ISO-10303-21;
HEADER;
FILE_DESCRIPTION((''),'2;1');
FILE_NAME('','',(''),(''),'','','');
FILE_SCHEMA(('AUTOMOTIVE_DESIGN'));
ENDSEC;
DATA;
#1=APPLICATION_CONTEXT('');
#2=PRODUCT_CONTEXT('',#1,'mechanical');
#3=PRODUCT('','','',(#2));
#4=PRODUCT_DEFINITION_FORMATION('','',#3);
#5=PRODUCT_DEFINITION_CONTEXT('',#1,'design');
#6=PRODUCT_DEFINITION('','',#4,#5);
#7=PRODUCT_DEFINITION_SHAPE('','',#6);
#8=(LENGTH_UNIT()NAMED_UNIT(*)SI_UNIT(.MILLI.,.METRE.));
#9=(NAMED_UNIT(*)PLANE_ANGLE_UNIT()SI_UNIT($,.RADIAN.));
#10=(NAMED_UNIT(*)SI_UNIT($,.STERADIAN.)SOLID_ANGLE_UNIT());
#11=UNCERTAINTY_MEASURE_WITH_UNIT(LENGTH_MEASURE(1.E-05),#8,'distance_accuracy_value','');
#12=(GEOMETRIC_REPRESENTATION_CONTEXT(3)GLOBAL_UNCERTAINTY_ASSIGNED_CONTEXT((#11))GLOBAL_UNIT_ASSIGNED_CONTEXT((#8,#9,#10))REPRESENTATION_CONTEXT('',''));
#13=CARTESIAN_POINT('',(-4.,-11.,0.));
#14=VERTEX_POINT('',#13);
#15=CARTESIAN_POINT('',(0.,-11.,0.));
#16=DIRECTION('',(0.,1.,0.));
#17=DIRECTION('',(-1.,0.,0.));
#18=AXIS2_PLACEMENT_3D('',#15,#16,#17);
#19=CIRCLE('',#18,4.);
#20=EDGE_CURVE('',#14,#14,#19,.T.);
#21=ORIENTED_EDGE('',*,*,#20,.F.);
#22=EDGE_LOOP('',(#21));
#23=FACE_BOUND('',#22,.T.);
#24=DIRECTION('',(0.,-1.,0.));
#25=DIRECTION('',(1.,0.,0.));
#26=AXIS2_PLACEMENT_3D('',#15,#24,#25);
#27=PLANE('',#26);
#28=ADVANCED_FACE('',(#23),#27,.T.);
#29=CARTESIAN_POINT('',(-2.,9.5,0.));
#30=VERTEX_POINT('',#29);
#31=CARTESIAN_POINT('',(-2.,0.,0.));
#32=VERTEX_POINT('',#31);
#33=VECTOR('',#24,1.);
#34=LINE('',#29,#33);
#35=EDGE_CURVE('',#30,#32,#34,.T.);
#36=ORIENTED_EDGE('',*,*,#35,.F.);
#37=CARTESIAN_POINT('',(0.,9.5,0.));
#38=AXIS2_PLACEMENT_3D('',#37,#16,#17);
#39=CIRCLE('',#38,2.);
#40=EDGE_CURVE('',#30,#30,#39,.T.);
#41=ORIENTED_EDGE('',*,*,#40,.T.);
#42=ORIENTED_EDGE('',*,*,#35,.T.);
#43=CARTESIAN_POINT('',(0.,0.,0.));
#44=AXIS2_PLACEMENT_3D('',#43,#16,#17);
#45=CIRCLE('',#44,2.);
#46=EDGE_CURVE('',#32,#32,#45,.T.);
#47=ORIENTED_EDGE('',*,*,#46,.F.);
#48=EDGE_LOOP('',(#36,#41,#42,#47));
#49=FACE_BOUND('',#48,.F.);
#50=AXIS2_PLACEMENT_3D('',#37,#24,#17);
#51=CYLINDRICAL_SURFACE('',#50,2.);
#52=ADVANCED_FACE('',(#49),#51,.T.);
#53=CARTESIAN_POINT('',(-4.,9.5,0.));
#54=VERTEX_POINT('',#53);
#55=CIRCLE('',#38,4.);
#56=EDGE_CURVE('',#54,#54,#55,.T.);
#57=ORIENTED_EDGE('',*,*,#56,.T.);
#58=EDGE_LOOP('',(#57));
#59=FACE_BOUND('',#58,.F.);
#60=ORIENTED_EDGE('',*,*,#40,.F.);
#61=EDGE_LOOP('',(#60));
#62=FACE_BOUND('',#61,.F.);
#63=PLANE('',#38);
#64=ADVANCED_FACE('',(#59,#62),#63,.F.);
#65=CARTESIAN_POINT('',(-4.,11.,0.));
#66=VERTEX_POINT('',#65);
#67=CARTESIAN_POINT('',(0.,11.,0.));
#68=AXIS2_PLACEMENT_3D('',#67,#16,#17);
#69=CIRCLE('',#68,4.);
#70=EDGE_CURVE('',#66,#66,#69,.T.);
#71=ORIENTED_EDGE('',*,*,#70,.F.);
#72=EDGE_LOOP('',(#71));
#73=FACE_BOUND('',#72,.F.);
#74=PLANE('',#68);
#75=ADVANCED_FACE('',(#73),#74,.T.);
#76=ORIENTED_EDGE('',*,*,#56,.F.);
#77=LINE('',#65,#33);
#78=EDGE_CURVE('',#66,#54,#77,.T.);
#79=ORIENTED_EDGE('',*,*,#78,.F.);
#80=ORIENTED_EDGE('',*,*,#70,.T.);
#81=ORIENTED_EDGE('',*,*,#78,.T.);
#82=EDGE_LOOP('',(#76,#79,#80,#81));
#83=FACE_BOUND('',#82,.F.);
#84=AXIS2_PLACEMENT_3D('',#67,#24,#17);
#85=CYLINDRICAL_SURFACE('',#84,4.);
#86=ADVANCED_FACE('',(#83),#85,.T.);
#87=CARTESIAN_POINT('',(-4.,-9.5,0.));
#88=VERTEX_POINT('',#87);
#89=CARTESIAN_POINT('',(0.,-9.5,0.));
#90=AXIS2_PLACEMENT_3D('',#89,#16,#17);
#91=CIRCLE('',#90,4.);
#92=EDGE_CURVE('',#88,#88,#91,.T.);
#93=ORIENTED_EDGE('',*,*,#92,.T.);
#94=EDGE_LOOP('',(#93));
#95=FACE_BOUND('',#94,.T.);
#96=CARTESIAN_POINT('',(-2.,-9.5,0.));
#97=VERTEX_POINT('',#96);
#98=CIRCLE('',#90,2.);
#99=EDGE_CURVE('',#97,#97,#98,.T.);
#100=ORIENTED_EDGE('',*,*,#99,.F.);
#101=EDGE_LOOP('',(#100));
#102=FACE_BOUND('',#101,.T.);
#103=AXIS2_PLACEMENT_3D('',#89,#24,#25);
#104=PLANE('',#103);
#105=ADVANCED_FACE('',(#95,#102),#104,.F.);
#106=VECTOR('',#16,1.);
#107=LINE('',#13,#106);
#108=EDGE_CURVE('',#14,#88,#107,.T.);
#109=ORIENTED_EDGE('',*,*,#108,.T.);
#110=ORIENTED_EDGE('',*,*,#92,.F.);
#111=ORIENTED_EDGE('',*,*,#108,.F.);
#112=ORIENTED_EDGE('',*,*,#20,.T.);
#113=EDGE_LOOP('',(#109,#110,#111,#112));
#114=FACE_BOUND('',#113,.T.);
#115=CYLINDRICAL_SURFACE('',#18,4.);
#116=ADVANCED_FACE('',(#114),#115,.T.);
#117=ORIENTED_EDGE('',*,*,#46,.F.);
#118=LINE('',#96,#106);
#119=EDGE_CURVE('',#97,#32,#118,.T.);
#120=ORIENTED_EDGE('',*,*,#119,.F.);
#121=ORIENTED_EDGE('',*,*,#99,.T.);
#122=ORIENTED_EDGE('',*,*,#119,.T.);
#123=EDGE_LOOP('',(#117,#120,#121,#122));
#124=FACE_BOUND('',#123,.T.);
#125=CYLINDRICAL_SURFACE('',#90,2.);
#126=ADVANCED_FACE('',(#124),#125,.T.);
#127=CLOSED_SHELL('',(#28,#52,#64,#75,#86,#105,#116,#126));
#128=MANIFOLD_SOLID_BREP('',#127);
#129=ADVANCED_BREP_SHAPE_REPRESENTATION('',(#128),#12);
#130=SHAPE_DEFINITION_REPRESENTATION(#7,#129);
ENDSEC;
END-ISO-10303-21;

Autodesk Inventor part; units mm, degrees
ref_plane "YZ Plane" through (0, 0, 0) normal (1, 0, 0) x (0, 1, 0)
ref_plane "XZ Plane" through (0, 0, 0) normal (0, 1, 0) x (-1, 0, 0)
ref_plane "XY Plane" through (0, 0, 0) normal (0, 0, 1) x (1, 0, 0)
sketch "スケッチ1" plane through (0, 0, 0) normal (0, 0, 1) x (1, 0, 0)
  line L0 (0, 11) -> (-4, 11)
  line L1 (-4, 11) -> (-4, 9.5)
  line L2 (-4, 9.5) -> (-2, 9.5)
  line L3 (-2, 9.5) -> (-2, 0)
  line L4 (-2, 0) -> (0, 0)
  line L5 (0, 0) -> (0, 11)
  line L6 (0, -2.2) -> (0, 13.2) projected
  dimension "d0" = 4
  dimension "d1" = 1.5
  dimension "d2" = 2
  dimension "d3" = 11
revolve "回転1" add sketch "スケッチ1" angle 360 about axis through (0, -10, 0) along (0, 1, 0)
mirror "ミラー1" about plane through (-2, 0, 0) normal (0, -1, 0) of "回転1"
ref_plane "作業平面1" through (0, 0, 0) normal (0, -1, 0) x (1, 0, 0)
properties part number "castshaft" material "アルミニウム 6061"
